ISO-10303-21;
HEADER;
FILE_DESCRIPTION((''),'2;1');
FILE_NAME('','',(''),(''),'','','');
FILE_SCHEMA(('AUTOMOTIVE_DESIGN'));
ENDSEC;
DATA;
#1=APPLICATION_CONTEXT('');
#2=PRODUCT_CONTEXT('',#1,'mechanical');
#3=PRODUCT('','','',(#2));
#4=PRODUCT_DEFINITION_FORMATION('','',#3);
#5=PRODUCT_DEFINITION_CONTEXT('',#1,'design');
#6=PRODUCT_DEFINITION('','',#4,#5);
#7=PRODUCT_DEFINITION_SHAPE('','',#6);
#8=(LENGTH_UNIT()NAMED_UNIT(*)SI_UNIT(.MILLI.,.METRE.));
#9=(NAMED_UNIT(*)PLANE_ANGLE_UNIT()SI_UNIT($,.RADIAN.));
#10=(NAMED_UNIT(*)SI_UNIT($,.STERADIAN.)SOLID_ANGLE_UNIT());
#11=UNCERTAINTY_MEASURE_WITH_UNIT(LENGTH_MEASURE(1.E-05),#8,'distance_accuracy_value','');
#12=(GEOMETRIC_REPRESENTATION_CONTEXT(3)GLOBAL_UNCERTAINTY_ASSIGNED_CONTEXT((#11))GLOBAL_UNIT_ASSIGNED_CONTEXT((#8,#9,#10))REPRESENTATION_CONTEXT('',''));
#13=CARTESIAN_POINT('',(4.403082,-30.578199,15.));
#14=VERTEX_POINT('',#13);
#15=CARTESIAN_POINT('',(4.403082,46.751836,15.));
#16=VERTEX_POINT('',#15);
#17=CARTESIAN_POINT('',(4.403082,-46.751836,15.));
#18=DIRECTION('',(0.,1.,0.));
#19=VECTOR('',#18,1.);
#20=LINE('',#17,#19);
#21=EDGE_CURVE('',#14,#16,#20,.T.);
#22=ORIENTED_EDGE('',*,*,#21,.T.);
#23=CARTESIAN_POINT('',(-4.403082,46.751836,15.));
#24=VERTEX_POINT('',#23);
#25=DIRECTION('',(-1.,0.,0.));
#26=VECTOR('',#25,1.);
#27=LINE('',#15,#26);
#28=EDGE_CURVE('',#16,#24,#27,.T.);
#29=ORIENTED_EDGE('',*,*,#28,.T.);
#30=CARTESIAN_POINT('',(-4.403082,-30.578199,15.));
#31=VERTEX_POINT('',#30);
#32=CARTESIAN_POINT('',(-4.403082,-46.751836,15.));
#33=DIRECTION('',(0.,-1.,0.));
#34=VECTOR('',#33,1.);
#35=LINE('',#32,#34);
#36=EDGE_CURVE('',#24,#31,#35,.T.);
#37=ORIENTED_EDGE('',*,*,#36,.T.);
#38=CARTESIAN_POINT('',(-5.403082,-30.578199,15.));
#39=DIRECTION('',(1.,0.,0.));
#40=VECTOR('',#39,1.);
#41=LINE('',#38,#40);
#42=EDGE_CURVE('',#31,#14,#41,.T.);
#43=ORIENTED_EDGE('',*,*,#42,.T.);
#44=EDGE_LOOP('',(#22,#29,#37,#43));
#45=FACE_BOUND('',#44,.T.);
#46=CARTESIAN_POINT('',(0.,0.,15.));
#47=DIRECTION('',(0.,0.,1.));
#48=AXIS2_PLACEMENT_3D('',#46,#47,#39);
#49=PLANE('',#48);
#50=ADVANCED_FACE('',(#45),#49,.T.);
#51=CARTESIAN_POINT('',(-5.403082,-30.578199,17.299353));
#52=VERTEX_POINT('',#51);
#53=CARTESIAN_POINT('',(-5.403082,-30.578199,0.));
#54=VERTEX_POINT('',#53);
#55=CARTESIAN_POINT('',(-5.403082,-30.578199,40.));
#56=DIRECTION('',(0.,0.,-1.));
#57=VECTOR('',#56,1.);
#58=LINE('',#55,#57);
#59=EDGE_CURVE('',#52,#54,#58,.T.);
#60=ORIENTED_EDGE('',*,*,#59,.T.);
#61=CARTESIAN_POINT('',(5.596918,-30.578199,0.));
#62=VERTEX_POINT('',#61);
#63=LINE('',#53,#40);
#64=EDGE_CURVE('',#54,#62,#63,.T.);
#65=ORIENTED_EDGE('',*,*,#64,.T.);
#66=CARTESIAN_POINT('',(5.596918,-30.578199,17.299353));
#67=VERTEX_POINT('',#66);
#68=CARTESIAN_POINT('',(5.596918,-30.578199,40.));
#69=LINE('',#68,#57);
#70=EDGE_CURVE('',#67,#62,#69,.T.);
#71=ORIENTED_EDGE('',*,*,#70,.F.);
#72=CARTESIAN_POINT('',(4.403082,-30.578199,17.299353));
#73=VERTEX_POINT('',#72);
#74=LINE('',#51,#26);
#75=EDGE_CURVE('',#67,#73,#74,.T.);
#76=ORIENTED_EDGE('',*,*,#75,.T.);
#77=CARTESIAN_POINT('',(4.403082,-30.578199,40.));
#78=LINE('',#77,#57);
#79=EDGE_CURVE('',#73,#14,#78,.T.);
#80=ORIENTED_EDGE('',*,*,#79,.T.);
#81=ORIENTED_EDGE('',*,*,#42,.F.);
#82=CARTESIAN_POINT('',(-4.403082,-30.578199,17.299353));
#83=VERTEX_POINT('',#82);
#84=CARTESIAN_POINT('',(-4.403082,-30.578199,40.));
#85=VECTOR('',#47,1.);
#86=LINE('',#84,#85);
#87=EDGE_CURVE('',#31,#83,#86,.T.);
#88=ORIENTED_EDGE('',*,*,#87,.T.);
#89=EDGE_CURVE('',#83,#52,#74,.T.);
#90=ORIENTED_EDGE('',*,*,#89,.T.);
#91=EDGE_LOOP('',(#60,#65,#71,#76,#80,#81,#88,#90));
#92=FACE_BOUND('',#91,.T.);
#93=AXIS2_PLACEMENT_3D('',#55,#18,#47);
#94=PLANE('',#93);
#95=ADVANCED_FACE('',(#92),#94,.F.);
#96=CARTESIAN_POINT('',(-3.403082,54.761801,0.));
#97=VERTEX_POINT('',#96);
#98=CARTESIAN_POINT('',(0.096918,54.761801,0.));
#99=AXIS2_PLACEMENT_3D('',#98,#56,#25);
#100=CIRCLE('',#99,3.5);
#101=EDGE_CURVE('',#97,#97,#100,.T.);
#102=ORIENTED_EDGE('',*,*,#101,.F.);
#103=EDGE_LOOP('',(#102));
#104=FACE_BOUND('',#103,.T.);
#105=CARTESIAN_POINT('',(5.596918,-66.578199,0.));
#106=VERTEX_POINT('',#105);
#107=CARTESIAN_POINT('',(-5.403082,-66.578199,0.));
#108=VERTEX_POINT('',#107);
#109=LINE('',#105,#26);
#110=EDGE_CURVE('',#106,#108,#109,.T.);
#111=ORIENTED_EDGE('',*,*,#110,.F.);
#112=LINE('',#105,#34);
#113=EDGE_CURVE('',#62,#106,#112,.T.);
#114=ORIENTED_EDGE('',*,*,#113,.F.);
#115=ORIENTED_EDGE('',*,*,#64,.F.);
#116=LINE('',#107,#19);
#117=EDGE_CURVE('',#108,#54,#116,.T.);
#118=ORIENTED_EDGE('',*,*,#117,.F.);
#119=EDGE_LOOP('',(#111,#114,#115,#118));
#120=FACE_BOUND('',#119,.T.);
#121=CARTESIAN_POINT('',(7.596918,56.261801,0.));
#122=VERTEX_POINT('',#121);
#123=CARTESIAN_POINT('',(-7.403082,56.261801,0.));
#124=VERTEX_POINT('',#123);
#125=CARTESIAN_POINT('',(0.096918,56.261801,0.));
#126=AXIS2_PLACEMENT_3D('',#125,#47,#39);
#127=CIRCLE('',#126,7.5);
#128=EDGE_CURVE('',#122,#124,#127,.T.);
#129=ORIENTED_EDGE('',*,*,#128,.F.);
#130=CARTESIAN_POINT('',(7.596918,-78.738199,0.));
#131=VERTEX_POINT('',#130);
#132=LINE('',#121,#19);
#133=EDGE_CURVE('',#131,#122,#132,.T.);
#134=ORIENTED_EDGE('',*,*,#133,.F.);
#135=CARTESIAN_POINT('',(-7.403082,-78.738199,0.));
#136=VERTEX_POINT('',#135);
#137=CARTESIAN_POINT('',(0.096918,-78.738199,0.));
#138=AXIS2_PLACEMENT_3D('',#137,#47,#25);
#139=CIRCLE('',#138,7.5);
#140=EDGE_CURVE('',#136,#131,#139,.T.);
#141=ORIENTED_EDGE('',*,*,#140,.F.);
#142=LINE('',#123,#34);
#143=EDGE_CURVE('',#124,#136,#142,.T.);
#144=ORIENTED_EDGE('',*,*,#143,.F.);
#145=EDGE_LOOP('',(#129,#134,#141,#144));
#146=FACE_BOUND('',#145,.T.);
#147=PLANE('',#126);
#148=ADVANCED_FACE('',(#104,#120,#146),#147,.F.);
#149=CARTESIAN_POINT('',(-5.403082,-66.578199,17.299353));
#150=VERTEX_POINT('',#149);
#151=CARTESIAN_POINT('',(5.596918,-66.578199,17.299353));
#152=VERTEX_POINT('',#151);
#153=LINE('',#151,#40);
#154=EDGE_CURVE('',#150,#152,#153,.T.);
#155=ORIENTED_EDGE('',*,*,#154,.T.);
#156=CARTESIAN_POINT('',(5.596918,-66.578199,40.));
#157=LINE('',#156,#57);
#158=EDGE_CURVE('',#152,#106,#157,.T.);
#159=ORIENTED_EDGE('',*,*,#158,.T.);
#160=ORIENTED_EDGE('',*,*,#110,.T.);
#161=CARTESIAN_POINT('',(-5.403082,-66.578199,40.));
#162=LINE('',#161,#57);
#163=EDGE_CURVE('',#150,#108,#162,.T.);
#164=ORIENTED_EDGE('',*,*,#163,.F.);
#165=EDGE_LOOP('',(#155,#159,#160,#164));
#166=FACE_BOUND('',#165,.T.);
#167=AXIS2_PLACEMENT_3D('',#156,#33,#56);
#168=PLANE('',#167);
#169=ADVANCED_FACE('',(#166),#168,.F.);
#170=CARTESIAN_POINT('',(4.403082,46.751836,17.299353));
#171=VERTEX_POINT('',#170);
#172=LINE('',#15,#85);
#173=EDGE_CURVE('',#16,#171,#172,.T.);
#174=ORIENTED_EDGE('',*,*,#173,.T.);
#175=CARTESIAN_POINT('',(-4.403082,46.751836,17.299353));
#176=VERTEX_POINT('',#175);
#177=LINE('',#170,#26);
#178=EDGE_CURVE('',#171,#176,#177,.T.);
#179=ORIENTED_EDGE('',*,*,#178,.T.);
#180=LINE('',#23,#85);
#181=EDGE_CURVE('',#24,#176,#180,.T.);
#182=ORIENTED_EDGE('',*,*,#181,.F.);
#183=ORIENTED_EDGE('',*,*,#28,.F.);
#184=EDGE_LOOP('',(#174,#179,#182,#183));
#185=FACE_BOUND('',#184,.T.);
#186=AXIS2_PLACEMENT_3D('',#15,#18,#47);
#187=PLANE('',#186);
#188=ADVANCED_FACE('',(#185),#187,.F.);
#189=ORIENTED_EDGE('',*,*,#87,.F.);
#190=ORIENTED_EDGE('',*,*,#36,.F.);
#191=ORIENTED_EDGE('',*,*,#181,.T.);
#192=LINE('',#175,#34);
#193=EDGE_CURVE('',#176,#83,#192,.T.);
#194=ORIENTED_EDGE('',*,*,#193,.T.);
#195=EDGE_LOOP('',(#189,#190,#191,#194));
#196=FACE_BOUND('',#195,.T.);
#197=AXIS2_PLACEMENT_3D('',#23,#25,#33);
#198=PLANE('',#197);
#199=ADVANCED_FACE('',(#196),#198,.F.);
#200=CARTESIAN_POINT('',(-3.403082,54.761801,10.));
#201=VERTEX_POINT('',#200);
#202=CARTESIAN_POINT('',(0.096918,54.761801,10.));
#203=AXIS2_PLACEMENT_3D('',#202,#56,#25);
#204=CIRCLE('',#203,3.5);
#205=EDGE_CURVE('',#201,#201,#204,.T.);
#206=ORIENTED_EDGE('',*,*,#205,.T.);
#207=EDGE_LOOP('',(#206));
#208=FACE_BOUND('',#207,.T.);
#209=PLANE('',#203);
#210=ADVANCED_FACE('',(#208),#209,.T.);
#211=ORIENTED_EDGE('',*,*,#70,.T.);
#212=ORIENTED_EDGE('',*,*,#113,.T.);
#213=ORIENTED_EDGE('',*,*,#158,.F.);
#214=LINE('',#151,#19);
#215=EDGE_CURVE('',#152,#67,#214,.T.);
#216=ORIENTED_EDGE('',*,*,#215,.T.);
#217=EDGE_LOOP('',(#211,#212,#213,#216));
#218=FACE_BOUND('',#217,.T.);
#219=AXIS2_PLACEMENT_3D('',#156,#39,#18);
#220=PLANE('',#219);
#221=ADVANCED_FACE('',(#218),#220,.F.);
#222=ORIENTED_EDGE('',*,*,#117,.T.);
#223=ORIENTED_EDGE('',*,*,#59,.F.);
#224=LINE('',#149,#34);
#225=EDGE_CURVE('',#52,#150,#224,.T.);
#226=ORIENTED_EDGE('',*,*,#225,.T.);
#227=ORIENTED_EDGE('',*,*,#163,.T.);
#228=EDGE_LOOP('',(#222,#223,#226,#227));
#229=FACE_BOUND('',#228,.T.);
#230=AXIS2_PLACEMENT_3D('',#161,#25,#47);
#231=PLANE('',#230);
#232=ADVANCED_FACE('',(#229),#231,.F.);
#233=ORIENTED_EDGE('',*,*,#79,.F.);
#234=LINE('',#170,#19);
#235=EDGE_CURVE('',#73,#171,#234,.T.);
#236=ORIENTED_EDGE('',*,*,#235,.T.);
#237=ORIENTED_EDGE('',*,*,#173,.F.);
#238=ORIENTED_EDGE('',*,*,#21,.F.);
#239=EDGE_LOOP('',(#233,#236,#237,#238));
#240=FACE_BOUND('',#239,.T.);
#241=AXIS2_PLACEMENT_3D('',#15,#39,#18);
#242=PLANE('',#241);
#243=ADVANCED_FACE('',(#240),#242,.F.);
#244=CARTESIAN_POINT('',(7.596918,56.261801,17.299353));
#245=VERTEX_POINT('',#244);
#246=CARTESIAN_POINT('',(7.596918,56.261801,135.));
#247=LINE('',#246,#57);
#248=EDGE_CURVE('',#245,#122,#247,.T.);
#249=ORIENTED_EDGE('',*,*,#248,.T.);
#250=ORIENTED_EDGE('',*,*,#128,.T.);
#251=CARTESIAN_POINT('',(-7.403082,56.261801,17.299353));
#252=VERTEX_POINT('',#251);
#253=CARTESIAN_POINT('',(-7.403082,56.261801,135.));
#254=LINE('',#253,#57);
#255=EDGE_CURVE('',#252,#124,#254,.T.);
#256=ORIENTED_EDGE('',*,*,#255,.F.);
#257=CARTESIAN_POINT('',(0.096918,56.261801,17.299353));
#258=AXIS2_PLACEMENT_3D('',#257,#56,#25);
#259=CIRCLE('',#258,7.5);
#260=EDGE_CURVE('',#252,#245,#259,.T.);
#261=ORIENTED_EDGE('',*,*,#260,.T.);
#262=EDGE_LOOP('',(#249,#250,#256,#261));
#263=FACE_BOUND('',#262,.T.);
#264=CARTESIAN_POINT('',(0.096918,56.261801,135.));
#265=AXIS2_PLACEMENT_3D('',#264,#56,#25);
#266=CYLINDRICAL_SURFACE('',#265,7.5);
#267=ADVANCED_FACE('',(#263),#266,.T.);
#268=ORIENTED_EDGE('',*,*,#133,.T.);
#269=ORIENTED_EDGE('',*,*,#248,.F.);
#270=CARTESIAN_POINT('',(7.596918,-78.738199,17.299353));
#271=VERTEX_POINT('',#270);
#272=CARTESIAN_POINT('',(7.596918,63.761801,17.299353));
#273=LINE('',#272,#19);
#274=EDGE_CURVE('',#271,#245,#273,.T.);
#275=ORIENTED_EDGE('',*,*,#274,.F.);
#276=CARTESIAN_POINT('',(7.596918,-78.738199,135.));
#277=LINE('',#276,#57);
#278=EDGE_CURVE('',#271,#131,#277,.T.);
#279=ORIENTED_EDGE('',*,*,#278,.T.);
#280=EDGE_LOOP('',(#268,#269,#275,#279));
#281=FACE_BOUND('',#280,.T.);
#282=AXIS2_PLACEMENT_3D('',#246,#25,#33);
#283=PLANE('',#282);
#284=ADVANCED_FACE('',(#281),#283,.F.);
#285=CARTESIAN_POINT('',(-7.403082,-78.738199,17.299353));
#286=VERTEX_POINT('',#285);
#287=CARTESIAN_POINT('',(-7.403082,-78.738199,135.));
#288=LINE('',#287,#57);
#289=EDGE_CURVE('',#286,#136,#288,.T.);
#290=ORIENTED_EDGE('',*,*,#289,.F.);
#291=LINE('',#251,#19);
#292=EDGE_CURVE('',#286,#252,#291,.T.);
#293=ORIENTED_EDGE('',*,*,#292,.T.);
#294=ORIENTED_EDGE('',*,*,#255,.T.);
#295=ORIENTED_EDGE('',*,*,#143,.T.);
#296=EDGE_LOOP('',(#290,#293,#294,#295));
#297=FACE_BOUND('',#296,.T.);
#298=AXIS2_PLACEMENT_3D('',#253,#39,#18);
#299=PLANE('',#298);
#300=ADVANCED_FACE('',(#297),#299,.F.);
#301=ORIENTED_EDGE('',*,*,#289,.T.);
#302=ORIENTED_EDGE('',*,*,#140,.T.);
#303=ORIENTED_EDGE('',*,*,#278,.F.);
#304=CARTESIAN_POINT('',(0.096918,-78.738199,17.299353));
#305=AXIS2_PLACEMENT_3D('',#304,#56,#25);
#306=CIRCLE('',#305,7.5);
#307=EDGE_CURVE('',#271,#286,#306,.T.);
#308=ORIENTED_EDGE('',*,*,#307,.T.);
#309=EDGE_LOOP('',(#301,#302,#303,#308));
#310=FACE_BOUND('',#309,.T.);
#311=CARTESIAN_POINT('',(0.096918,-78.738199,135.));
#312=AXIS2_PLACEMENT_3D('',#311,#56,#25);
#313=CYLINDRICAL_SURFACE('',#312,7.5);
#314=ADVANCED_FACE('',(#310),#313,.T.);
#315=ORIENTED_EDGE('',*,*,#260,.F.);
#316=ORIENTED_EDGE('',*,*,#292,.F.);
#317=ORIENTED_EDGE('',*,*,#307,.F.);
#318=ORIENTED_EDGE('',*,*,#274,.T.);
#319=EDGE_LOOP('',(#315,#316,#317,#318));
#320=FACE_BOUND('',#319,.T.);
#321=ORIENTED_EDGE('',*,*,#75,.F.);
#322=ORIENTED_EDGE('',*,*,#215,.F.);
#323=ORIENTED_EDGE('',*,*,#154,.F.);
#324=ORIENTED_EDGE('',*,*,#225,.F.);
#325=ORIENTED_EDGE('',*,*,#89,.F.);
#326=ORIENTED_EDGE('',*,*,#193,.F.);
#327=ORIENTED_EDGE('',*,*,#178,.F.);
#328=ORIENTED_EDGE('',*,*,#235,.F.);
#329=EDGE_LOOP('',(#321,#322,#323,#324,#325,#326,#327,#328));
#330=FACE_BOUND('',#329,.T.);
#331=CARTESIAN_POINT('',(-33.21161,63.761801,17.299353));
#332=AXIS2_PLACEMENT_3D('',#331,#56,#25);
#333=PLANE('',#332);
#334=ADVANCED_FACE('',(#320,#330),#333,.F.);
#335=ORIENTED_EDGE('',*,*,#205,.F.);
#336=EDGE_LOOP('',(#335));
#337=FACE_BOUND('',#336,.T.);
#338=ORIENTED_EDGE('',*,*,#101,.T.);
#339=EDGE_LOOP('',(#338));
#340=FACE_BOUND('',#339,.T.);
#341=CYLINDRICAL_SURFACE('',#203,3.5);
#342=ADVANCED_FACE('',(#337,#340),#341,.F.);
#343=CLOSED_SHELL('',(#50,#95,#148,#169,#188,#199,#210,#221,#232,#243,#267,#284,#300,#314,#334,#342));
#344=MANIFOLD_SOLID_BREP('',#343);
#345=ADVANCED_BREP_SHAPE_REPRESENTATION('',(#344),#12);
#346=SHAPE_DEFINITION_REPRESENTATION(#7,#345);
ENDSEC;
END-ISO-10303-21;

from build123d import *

# Parameters (mm, degrees)
BOSS_EXTRUDE1_DEPTH = 135
SKETCH3_R           = 3.5
CUT_EXTRUDE2_DEPTH  = 10
SKETCH6_W           = 11
SKETCH6_H           = 36
CUT_EXTRUDE3_DEPTH  = 40
SKETCH7_W           = 55
SKETCH7_H           = 16.435142828
BOSS_EXTRUDE2_DEPTH = 35
CUT_EXTRUDE4_DEPTH  = 20
CUT_EXTRUDE5_DEPTH  = 20
SKETCH12_R          = 4.5
CUT_EXTRUDE6_DEPTH  = 20
CUT_EXTRUDE7_DEPTH  = 120
SKETCH14_W          = 10
SKETCH14_H          = 112.990035736
BOSS_EXTRUDE3_DEPTH = 9
SKETCH16_W          = 117.700647477
SKETCH16_H          = 151.246123551
CUT_EXTRUDE11_DEPTH = 166.309899973


with BuildPart() as part:
    # Sketch2 → Boss-Extrude1 (new body)
    with BuildSketch(Plane.XY):
        with BuildLine():
            Line((-7.403081865, 56.261800555), (-7.403081865, -78.738199445))
            ThreePointArc((-7.403081865, -78.738199445), (0.096918135, -86.238199445), (7.596918135, -78.738199445))
            Line((7.596918135, -78.738199445), (7.596918135, 56.261800555))
            ThreePointArc((7.596918135, 56.261800555), (0.096918135, 63.761800555), (-7.403081865, 56.261800555))
        make_face()
    extrude(amount=BOSS_EXTRUDE1_DEPTH)

    # Sketch3 → Cut-Extrude2 (cut)
    with BuildSketch(Plane(origin=(0, 0, 0), x_dir=(-1, 0, 0), z_dir=(0, 0, -1))):
        with Locations((-0.096918135, 54.761800555)):
            Circle(SKETCH3_R)
    extrude(amount=-CUT_EXTRUDE2_DEPTH, mode=Mode.SUBTRACT)

    # Sketch6 → Cut-Extrude3 (cut)
    with BuildSketch(Plane(origin=(0, 0, 0), x_dir=(-1, 0, 0), z_dir=(0, 0, -1))):
        with Locations((-0.096918135, -48.578199445)):
            Rectangle(SKETCH6_W, SKETCH6_H)
    extrude(amount=-CUT_EXTRUDE3_DEPTH, mode=Mode.SUBTRACT)

    # Sketch7 → Boss-Extrude2 (add)
    with BuildSketch(Plane.ZY.offset(7.403081865)):
        with Locations((67.5, -49.750557846)):
            Rectangle(SKETCH7_W, SKETCH7_H)
    extrude(amount=BOSS_EXTRUDE2_DEPTH)

    # Sketch10 → Cut-Extrude4 (cut)
    with BuildSketch(Plane(origin=(0, -41.532986432, 0), x_dir=(1, 0, 0), z_dir=(0, 1, 0))):
        with BuildLine():
            Line((-7.403081865, -40), (-42.403081865, -40))
            Line((-42.403081865, -40), (-42.403081865, -95))
            Line((-42.403081865, -95), (-7.403081865, -95))
            ThreePointArc((-7.403081865, -95), (-33.21161021, -67.5), (-7.403081865, -40))
        make_face()
    extrude(amount=-CUT_EXTRUDE4_DEPTH, mode=Mode.SUBTRACT)

    # Sketch11 → Cut-Extrude5 (cut)
    with BuildSketch(Plane(origin=(0, -41.532986432, 0), x_dir=(1, 0, 0), z_dir=(0, 1, 0))):
        with BuildLine():
            Line((-7.569996139, -52.041059143), (-7.569996139, -82.958940857))
            ThreePointArc((-7.569996139, -82.958940857), (-23.028936996, -67.5), (-7.569996139, -52.041059143))
        make_face()
    extrude(amount=-CUT_EXTRUDE5_DEPTH, mode=Mode.SUBTRACT)

    # Sketch12 → Cut-Extrude6 (cut)
    with BuildSketch(Plane.XY.offset(135)):
        with Locations((0.096918135, 54.761800555)):
            Circle(SKETCH12_R)
    extrude(amount=-CUT_EXTRUDE6_DEPTH, mode=Mode.SUBTRACT)

    # Sketch13 → Cut-Extrude7 (cut)
    with BuildSketch(Plane.XY.offset(135)):
        Polygon((4.403081865, 46.751836291), (-4.403081865, 46.751836291), (-4.403081865, -46.751836291), (-4.403081865, -66.238199445), (4.403081865, -66.238199445), (4.403081865, -46.751836291), align=None)
    extrude(amount=-CUT_EXTRUDE7_DEPTH, mode=Mode.SUBTRACT)

    # Sketch14 → Boss-Extrude3 (add)
    with BuildSketch(Plane.ZY.offset(-4.403081865)):
        with Locations((130, -9.743181577)):
            Rectangle(SKETCH14_W, SKETCH14_H)
    extrude(amount=BOSS_EXTRUDE3_DEPTH)

    # Sketch16 → Cut-Extrude11 (cut, through all)
    with BuildSketch(Plane(origin=(7.596918135, 0, 0), x_dir=(0, 0, -1), z_dir=(1, 0, 0))):
        with Locations((-76.149676262, -11.861261221)):
            Rectangle(SKETCH16_W, SKETCH16_H)
    extrude(amount=-CUT_EXTRUDE11_DEPTH, mode=Mode.SUBTRACT)


solid = part.part
